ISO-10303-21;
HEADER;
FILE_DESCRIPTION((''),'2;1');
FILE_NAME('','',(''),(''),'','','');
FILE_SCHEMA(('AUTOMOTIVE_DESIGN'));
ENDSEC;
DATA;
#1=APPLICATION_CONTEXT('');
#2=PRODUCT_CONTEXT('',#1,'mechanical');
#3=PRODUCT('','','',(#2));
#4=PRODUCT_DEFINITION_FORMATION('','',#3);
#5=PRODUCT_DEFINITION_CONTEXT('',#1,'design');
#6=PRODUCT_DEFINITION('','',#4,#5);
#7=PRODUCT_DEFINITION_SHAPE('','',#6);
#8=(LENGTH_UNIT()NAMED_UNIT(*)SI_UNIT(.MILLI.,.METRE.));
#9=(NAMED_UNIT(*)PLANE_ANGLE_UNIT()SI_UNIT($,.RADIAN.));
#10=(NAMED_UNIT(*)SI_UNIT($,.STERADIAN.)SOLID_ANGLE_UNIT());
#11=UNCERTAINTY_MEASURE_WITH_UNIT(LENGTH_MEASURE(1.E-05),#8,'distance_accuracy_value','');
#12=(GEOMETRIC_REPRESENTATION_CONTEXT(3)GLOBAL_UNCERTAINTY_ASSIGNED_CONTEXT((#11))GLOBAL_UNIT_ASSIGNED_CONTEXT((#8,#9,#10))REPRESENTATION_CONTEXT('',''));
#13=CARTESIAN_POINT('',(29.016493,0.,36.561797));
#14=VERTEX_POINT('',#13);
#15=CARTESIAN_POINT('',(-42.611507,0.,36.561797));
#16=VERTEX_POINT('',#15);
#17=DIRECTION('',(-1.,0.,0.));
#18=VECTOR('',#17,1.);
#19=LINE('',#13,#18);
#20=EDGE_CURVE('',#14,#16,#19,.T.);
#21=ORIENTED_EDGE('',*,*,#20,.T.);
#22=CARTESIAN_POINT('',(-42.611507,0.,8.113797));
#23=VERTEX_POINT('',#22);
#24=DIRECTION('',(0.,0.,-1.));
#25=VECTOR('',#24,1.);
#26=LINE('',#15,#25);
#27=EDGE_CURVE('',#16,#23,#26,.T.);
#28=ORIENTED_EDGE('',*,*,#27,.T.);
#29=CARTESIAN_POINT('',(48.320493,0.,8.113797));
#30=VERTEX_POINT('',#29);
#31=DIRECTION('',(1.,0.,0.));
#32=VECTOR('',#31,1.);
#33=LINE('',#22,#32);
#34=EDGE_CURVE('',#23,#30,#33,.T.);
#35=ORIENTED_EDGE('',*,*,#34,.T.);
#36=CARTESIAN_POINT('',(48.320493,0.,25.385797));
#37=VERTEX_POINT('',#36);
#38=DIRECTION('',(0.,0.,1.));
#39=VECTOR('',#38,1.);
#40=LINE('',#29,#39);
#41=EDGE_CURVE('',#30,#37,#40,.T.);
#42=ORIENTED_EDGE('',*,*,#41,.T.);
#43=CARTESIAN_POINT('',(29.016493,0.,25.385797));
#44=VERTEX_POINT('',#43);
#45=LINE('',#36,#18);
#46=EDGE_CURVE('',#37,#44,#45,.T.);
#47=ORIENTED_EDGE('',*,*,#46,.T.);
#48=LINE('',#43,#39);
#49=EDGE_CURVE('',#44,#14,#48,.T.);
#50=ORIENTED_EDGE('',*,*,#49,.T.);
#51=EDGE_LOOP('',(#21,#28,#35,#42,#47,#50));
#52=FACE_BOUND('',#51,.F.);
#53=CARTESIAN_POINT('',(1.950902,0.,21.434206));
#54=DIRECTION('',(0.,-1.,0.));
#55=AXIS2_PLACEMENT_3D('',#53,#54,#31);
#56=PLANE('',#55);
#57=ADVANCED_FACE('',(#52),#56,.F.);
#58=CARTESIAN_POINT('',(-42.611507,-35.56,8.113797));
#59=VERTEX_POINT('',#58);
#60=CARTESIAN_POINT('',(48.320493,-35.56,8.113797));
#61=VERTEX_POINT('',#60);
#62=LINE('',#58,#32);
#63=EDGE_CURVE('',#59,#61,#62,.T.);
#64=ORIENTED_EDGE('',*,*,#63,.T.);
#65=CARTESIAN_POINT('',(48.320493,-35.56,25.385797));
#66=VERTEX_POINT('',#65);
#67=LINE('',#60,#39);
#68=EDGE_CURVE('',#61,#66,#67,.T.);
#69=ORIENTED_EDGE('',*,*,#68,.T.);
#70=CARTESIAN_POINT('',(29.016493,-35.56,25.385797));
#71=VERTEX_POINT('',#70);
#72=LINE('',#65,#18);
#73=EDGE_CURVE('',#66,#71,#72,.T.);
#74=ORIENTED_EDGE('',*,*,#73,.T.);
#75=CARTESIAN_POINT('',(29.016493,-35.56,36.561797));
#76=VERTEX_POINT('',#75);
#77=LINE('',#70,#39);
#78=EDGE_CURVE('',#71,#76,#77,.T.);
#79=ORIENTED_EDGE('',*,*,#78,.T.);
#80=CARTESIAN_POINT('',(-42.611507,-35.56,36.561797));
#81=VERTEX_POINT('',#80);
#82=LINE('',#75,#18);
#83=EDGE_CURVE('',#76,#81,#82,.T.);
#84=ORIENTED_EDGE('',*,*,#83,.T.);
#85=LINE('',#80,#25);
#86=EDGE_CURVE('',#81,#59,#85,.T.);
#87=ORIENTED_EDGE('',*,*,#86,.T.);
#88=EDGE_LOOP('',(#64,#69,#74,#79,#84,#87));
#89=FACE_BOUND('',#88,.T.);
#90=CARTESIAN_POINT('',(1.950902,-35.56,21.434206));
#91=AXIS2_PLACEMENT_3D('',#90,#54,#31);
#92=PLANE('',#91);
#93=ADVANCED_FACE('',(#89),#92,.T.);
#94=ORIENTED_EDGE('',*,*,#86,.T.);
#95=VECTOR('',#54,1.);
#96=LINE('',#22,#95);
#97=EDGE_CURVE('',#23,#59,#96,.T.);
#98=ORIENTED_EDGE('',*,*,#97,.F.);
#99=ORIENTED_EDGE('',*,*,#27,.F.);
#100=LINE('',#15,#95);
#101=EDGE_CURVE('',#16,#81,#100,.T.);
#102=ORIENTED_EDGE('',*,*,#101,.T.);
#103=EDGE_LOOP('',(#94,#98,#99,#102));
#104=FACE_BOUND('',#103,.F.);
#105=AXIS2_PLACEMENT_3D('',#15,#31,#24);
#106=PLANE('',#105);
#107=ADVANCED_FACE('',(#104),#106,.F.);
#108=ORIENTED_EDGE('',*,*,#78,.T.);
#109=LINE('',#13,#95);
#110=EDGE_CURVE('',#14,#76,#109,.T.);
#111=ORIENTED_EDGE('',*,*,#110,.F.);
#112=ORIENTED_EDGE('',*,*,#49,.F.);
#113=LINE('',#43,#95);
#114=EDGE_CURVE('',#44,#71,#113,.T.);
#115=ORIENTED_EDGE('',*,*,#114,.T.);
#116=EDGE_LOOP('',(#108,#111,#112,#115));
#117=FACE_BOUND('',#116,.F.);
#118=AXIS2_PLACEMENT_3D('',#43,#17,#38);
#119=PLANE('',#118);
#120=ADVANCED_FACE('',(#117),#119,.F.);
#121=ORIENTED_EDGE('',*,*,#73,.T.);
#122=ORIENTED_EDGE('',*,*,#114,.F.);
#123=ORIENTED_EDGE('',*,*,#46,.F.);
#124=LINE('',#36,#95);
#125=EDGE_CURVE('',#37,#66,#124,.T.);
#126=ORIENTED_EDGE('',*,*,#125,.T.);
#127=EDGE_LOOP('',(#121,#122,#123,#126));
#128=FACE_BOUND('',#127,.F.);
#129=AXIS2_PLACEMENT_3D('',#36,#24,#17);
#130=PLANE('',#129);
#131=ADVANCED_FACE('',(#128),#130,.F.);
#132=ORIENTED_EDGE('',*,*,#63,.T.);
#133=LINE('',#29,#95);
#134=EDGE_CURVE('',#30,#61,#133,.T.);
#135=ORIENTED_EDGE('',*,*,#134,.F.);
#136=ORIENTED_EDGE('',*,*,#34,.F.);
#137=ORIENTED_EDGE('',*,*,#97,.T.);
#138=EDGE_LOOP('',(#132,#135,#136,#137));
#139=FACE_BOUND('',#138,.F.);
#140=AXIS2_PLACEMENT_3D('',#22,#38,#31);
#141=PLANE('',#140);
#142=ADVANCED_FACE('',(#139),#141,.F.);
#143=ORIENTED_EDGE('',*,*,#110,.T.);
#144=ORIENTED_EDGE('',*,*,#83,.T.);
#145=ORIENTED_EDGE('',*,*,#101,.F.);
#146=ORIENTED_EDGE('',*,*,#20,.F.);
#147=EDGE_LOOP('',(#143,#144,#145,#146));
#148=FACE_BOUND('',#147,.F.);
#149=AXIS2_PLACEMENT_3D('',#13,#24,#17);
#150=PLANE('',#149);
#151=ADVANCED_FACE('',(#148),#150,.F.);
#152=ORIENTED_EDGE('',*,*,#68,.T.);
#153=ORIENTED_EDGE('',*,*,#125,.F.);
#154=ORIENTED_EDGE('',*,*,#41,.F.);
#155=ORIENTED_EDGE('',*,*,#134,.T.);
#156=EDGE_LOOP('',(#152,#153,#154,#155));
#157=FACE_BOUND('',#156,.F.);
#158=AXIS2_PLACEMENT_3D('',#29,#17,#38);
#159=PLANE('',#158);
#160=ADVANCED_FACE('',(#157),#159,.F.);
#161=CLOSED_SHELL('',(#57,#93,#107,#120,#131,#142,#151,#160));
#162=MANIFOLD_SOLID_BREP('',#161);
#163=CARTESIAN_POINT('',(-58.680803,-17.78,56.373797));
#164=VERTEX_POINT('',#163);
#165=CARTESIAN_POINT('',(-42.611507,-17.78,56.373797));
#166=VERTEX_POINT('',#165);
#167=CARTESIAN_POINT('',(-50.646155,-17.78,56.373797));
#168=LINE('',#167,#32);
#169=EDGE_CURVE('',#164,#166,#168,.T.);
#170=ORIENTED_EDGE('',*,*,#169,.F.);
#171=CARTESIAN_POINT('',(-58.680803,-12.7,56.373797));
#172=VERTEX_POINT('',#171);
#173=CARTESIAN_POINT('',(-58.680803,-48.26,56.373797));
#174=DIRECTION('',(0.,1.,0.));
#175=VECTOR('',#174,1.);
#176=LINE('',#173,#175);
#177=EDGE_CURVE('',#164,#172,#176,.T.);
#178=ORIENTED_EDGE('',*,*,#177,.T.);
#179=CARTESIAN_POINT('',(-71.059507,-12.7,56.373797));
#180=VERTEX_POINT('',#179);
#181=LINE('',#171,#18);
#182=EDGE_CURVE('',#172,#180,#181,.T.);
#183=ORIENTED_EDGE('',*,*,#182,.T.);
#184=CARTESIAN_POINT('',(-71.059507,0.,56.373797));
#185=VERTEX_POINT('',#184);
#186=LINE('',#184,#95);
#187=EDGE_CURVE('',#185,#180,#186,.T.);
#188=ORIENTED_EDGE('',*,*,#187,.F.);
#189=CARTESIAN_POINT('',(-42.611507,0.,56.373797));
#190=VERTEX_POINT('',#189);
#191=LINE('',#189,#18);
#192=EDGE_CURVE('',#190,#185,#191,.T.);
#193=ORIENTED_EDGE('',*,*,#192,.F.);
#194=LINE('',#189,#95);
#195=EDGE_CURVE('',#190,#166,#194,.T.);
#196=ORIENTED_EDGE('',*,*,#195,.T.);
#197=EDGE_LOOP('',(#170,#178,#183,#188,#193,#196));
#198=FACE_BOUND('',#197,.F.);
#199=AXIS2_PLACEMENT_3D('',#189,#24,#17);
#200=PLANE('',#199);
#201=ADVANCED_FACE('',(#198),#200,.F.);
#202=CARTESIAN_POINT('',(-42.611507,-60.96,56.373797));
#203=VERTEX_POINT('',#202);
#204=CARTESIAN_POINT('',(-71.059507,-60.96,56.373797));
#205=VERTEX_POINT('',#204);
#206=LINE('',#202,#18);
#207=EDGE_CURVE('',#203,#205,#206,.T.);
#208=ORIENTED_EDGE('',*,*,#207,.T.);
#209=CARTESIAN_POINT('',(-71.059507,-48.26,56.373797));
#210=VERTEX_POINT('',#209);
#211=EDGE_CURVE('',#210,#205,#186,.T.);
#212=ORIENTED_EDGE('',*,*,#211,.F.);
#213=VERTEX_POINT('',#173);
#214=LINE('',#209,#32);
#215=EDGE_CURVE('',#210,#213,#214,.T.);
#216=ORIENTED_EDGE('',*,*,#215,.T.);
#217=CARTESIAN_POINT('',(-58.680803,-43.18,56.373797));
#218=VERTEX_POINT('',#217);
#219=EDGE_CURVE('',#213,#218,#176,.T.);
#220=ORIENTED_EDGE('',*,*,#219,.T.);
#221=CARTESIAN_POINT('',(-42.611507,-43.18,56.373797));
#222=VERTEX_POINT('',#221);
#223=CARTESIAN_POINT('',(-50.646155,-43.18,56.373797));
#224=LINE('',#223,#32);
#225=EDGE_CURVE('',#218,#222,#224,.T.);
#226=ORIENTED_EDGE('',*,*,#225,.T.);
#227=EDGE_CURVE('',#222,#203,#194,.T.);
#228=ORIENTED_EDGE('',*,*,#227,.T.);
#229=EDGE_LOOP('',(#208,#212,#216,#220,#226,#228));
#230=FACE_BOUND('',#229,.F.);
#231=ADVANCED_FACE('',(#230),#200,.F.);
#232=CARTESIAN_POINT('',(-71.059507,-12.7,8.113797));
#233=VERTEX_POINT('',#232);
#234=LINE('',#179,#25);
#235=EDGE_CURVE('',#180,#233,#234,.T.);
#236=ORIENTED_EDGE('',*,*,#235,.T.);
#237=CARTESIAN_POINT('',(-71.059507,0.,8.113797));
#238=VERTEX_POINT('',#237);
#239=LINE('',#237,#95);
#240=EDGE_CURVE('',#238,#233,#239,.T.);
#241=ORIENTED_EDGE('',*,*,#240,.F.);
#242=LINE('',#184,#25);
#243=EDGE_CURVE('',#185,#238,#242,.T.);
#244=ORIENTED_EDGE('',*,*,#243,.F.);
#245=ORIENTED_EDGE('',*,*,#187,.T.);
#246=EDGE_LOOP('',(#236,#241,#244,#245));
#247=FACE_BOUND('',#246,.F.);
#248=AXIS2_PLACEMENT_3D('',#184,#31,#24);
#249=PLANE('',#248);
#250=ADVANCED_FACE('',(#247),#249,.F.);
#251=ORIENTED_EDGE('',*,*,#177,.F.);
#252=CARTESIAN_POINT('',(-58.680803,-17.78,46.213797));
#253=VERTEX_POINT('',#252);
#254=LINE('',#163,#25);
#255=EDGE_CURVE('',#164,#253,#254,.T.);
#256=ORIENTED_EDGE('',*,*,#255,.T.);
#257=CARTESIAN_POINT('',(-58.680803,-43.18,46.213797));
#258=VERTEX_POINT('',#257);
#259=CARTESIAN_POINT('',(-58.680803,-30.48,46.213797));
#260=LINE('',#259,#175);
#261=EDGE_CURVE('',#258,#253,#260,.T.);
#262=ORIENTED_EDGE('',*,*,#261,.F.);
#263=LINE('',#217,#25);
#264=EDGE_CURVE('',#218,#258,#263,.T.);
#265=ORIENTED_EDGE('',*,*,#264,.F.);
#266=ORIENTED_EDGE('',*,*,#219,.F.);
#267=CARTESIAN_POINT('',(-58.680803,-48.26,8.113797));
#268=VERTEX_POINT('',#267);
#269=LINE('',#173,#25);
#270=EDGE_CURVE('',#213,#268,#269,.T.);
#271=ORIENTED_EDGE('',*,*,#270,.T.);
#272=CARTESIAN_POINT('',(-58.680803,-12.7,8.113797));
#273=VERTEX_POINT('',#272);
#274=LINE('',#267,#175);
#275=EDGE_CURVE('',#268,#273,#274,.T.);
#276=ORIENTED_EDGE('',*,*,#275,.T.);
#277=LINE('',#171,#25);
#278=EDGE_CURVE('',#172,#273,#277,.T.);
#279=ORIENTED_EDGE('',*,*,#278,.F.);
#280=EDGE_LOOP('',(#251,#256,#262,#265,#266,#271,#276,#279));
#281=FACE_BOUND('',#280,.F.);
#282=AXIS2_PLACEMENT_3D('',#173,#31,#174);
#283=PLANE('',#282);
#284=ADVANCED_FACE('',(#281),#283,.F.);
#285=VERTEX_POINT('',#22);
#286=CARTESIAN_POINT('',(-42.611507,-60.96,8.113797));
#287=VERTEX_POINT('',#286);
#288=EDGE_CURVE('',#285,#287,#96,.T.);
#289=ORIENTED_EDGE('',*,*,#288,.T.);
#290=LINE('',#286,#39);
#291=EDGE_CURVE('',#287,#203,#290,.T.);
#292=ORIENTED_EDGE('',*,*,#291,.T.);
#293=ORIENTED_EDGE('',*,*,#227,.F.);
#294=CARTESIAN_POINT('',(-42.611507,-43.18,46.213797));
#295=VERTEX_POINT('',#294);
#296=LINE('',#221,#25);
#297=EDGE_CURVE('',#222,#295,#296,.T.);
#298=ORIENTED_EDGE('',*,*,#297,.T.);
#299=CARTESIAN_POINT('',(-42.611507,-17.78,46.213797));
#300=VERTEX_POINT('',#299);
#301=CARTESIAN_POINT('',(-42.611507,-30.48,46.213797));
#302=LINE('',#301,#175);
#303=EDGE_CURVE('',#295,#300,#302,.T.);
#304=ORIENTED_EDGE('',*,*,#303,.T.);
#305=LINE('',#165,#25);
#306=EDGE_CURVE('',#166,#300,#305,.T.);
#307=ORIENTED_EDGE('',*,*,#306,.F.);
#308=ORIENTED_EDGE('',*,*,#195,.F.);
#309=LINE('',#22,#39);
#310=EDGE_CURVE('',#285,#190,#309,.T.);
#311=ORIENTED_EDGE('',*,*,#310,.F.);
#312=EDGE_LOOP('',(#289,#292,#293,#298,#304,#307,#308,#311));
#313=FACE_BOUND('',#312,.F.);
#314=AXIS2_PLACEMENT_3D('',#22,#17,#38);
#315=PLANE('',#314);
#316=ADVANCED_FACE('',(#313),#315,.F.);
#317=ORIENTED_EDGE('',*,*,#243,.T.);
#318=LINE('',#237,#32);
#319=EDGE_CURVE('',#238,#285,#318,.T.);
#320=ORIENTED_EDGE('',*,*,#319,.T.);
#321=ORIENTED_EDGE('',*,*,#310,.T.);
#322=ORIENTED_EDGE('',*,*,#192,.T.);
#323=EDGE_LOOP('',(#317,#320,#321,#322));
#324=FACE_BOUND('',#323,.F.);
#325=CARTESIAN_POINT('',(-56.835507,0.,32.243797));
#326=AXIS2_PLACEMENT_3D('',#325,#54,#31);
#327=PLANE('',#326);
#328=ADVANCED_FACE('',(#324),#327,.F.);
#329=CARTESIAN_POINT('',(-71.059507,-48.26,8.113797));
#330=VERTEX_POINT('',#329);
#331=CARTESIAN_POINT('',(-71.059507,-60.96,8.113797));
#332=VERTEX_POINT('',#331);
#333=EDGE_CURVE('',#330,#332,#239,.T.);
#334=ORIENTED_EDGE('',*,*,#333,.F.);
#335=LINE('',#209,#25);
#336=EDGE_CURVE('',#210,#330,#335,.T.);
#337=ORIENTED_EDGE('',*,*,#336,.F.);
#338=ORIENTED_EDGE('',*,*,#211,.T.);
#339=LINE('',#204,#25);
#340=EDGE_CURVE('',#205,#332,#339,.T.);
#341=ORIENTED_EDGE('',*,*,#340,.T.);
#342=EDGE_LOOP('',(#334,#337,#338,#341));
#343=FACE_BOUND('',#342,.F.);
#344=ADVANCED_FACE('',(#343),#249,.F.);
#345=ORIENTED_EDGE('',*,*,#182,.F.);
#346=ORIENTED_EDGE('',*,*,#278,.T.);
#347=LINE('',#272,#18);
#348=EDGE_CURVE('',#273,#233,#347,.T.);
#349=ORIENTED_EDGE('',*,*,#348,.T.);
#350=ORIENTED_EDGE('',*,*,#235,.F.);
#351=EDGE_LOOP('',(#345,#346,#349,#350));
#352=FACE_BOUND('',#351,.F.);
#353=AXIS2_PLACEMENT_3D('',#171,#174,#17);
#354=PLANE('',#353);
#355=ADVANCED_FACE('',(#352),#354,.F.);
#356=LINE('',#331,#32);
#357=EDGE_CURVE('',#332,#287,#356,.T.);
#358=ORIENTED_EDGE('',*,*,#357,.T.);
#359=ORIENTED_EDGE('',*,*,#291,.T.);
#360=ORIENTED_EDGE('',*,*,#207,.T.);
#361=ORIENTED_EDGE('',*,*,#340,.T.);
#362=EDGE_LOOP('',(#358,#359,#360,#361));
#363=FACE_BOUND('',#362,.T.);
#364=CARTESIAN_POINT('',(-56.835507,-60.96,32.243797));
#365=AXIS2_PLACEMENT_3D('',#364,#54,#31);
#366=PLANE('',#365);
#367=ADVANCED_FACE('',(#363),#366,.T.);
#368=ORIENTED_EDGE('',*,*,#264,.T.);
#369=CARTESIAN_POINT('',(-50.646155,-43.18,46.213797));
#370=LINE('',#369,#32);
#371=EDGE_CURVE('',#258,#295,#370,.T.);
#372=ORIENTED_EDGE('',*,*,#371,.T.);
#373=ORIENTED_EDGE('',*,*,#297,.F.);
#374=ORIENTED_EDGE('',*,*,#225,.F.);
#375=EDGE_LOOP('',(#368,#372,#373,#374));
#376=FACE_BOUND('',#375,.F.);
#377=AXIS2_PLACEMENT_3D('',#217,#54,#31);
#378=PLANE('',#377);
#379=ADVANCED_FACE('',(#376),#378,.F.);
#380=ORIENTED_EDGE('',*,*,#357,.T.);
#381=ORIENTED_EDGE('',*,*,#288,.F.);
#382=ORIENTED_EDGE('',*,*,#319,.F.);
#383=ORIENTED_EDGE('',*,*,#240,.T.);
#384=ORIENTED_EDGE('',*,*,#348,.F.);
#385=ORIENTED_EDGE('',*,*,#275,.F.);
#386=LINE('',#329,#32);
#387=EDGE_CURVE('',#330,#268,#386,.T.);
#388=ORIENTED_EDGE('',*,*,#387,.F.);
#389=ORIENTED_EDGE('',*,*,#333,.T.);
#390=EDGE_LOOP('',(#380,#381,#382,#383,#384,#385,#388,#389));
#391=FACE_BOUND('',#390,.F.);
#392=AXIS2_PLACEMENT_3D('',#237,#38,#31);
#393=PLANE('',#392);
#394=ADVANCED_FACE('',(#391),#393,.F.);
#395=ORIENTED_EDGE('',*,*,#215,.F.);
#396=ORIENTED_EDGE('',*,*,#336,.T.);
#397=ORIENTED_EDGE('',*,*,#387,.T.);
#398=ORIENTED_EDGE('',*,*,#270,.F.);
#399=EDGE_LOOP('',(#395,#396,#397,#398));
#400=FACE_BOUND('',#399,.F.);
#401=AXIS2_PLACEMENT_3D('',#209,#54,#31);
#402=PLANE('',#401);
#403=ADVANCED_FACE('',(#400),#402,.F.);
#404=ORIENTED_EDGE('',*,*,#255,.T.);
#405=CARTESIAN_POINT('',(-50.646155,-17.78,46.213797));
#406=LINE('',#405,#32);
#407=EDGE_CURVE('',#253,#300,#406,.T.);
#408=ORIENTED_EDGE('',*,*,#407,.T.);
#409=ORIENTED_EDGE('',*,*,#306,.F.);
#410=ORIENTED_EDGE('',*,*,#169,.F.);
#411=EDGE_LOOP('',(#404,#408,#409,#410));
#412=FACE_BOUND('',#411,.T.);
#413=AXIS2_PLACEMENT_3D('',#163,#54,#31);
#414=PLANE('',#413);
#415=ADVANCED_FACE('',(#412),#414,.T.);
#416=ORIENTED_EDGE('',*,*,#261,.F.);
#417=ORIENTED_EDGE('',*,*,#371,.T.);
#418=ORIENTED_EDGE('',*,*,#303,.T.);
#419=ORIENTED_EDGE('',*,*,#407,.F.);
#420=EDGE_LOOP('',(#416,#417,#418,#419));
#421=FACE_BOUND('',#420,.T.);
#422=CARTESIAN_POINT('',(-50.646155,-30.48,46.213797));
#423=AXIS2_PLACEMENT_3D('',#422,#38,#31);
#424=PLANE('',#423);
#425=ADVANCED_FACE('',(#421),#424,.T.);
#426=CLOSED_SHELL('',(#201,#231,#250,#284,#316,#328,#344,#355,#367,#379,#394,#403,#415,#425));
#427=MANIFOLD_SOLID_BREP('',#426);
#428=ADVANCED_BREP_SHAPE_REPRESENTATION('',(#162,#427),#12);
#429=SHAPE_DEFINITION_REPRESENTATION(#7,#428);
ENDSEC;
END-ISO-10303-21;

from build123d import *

# Parameters (mm, degrees)
F1_DEPTH = 60.96
F3_DEPTH = 35.56
F2_W     = 16.069296
F2_H     = 25.4
F4_DEPTH = 10.16
F5_DEPTH = 48.26


with BuildPart() as f1:
    # F0 (on Front) → F1 (new body)
    with BuildSketch(Plane.XZ):
        Polygon((-42.611507, 56.373797), (-71.059507, 56.373797), (-71.059507, 8.113797), (-42.611507, 8.113797), (-42.611507, 36.561797), align=None)
    extrude(amount=F1_DEPTH)

    # F2 (on face) → F4 (cut)
    with BuildSketch(Plane.XY.offset(56.373797)):
        with Locations((-50.646155, -30.48)):
            Rectangle(F2_W, F2_H)
    extrude(amount=-F4_DEPTH, mode=Mode.SUBTRACT)

    # F2 (on face) → F5 (cut)
    with BuildSketch(Plane.XY.offset(56.373797)):
        Polygon((-58.680803, -43.18), (-58.680803, -17.78), (-58.680803, -12.7), (-71.059507, -12.7), (-71.059507, -48.26), (-58.680803, -48.26), align=None)
    extrude(amount=-F5_DEPTH, mode=Mode.SUBTRACT)


with BuildPart() as f3:
    # F0 (on Front) → F3 (new body)
    with BuildSketch(Plane.XZ):
        Polygon((29.016493, 36.561797), (-42.611507, 36.561797), (-42.611507, 8.113797), (48.320493, 8.113797), (48.320493, 25.385797), (29.016493, 25.385797), align=None)
    extrude(amount=F3_DEPTH)


solid = Compound([f1.part, f3.part])
